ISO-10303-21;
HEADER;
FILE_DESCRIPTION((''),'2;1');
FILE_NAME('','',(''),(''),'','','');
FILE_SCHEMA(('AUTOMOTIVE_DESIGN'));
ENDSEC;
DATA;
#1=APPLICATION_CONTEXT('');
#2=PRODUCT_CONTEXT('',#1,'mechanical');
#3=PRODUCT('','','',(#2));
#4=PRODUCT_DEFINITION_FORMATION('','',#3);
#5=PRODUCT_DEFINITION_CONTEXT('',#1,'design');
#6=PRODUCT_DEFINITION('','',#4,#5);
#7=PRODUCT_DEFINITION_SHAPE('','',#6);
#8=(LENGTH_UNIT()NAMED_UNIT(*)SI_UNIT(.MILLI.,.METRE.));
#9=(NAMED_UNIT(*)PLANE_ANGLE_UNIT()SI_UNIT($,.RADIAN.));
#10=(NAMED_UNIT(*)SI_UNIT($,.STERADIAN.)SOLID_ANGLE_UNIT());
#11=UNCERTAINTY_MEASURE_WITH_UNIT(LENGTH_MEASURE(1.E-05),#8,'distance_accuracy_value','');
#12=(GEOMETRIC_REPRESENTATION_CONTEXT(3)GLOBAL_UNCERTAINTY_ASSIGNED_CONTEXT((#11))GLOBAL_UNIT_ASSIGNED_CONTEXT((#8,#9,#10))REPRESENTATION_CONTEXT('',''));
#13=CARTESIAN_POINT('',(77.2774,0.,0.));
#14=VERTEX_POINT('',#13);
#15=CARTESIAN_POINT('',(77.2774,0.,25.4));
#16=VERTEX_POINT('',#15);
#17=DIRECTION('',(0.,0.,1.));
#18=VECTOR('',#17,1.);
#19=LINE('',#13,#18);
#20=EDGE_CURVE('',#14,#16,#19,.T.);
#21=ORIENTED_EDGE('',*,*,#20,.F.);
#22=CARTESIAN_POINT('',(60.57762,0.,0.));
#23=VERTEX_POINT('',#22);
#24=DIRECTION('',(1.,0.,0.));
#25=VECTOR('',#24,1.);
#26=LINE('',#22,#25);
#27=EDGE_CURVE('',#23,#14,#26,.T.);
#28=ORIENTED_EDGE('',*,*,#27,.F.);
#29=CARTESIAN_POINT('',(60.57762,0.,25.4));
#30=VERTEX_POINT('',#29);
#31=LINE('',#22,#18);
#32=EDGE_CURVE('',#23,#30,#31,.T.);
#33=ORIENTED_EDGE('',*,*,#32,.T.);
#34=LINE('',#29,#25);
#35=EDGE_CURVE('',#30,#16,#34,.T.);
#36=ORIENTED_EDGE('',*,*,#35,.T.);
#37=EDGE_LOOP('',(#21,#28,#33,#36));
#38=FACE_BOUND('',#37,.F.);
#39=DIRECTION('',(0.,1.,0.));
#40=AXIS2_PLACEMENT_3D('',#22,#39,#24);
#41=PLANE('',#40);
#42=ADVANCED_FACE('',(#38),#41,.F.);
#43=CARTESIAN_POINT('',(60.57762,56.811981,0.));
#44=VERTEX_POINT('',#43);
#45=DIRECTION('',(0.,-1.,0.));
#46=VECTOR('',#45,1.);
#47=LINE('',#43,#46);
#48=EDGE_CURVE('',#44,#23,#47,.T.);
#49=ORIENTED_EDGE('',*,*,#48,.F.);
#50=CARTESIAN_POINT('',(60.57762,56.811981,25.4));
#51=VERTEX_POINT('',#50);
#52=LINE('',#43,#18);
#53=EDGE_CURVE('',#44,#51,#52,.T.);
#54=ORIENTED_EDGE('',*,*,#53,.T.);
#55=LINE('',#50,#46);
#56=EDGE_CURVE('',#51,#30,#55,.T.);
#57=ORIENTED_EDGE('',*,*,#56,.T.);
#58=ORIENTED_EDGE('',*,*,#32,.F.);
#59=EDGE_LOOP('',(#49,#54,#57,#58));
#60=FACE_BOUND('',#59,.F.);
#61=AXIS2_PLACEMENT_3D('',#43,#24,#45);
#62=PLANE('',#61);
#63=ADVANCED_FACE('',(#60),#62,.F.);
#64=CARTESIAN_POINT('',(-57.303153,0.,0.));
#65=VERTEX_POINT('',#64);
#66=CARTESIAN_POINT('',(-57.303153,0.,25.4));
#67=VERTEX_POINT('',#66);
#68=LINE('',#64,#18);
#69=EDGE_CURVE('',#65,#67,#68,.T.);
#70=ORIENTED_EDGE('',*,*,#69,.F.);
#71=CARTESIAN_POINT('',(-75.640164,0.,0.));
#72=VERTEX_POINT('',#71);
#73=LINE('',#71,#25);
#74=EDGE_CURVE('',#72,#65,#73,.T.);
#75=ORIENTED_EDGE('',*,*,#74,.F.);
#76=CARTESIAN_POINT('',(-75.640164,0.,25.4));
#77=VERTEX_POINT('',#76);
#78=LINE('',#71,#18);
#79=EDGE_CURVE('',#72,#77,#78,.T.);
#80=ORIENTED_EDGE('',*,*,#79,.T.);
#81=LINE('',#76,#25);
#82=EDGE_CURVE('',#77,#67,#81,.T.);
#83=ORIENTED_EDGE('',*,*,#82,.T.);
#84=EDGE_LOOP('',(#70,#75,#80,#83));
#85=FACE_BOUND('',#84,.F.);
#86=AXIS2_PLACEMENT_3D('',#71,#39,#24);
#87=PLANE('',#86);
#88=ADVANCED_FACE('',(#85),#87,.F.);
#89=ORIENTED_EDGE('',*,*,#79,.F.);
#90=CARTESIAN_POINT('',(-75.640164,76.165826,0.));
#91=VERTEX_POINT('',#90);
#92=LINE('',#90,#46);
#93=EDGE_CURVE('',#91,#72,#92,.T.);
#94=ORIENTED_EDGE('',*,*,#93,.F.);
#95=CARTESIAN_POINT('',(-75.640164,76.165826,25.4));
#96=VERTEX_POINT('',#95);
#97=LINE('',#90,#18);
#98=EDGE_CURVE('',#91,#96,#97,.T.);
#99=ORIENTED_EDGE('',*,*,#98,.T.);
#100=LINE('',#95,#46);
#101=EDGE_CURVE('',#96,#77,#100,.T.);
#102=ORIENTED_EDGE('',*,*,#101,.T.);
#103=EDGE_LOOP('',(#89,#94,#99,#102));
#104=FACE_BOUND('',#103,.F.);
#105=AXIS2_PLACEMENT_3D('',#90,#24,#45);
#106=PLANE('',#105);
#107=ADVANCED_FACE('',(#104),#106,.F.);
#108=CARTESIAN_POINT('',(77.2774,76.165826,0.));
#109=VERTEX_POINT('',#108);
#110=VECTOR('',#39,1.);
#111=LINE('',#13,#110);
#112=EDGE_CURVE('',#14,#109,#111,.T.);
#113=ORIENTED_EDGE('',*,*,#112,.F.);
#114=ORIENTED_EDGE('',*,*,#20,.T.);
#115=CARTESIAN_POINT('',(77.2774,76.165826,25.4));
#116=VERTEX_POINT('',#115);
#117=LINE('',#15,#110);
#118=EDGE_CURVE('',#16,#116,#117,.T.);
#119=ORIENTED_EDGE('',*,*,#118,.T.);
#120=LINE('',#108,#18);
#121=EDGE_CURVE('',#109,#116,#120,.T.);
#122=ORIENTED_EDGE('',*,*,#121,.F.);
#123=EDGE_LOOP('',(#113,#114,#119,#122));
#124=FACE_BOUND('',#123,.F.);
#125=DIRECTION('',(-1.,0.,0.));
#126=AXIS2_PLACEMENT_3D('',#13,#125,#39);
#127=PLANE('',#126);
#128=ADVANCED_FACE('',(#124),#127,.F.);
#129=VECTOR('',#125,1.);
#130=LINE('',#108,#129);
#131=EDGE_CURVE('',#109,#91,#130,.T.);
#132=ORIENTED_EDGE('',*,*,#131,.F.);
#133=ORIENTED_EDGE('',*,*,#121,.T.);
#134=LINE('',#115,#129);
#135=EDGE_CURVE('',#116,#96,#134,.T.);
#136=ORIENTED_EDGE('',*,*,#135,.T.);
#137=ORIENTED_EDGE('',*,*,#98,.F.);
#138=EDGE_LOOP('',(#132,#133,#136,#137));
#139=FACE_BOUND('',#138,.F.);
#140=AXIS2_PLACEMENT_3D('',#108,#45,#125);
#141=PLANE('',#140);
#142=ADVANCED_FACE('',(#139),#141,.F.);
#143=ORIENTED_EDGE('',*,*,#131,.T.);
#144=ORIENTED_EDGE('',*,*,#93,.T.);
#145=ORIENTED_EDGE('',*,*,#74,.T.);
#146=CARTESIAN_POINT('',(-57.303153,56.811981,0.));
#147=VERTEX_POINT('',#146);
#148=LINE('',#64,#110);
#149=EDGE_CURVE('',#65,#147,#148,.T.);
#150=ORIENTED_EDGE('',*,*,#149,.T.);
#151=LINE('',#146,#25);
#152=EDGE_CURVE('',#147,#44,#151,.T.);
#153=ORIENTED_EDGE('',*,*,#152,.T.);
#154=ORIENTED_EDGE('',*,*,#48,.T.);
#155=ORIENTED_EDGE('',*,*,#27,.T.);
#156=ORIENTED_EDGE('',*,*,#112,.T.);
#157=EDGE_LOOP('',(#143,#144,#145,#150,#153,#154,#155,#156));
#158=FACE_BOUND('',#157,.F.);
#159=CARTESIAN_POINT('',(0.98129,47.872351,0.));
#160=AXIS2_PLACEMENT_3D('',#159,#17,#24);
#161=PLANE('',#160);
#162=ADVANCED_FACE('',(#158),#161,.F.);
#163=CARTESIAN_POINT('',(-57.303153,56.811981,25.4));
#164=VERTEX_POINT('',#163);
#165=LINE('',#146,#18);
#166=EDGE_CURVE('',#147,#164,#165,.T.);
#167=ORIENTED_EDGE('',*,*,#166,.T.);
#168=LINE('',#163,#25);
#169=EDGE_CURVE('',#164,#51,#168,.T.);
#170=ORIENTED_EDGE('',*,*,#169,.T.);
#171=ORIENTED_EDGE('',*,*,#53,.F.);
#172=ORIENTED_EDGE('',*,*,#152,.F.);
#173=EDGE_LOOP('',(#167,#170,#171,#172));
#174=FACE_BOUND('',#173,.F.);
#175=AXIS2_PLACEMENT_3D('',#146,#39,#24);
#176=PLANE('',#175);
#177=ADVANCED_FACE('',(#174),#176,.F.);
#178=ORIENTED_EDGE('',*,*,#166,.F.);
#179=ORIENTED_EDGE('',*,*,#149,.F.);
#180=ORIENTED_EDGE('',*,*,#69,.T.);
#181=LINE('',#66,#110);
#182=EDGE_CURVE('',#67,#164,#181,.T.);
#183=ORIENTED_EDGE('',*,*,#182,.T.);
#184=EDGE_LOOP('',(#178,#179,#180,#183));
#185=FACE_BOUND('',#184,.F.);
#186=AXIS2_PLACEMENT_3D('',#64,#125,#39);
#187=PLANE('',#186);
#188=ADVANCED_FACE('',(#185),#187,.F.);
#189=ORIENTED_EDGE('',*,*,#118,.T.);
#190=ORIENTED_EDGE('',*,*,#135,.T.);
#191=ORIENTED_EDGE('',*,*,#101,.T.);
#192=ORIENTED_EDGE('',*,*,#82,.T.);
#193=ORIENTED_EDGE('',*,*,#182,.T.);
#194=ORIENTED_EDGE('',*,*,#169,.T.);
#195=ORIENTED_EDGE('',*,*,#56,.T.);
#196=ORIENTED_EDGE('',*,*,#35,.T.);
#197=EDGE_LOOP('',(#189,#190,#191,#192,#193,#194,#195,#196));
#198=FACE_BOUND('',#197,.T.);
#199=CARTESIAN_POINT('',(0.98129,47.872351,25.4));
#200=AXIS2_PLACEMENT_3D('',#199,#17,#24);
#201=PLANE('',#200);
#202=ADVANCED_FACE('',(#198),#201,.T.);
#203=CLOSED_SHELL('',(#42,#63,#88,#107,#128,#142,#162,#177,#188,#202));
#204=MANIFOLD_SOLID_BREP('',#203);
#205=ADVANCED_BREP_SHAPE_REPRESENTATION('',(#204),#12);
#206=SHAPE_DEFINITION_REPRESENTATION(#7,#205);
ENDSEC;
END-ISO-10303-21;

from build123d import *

# Parameters (mm, degrees)
F1_DEPTH = 25.4


with BuildPart() as f1:
    # F0 (on Top) → F1 (new body)
    with BuildSketch(Plane.XY):
        Polygon((-75.640164, 76.165826), (-75.640164, 0), (-57.303153, 0), (-57.303153, 56.811981), (60.57762, 56.811981), (60.57762, 0), (77.2774, 0), (77.2774, 76.165826), align=None)
    extrude(amount=F1_DEPTH)


solid = f1.part
